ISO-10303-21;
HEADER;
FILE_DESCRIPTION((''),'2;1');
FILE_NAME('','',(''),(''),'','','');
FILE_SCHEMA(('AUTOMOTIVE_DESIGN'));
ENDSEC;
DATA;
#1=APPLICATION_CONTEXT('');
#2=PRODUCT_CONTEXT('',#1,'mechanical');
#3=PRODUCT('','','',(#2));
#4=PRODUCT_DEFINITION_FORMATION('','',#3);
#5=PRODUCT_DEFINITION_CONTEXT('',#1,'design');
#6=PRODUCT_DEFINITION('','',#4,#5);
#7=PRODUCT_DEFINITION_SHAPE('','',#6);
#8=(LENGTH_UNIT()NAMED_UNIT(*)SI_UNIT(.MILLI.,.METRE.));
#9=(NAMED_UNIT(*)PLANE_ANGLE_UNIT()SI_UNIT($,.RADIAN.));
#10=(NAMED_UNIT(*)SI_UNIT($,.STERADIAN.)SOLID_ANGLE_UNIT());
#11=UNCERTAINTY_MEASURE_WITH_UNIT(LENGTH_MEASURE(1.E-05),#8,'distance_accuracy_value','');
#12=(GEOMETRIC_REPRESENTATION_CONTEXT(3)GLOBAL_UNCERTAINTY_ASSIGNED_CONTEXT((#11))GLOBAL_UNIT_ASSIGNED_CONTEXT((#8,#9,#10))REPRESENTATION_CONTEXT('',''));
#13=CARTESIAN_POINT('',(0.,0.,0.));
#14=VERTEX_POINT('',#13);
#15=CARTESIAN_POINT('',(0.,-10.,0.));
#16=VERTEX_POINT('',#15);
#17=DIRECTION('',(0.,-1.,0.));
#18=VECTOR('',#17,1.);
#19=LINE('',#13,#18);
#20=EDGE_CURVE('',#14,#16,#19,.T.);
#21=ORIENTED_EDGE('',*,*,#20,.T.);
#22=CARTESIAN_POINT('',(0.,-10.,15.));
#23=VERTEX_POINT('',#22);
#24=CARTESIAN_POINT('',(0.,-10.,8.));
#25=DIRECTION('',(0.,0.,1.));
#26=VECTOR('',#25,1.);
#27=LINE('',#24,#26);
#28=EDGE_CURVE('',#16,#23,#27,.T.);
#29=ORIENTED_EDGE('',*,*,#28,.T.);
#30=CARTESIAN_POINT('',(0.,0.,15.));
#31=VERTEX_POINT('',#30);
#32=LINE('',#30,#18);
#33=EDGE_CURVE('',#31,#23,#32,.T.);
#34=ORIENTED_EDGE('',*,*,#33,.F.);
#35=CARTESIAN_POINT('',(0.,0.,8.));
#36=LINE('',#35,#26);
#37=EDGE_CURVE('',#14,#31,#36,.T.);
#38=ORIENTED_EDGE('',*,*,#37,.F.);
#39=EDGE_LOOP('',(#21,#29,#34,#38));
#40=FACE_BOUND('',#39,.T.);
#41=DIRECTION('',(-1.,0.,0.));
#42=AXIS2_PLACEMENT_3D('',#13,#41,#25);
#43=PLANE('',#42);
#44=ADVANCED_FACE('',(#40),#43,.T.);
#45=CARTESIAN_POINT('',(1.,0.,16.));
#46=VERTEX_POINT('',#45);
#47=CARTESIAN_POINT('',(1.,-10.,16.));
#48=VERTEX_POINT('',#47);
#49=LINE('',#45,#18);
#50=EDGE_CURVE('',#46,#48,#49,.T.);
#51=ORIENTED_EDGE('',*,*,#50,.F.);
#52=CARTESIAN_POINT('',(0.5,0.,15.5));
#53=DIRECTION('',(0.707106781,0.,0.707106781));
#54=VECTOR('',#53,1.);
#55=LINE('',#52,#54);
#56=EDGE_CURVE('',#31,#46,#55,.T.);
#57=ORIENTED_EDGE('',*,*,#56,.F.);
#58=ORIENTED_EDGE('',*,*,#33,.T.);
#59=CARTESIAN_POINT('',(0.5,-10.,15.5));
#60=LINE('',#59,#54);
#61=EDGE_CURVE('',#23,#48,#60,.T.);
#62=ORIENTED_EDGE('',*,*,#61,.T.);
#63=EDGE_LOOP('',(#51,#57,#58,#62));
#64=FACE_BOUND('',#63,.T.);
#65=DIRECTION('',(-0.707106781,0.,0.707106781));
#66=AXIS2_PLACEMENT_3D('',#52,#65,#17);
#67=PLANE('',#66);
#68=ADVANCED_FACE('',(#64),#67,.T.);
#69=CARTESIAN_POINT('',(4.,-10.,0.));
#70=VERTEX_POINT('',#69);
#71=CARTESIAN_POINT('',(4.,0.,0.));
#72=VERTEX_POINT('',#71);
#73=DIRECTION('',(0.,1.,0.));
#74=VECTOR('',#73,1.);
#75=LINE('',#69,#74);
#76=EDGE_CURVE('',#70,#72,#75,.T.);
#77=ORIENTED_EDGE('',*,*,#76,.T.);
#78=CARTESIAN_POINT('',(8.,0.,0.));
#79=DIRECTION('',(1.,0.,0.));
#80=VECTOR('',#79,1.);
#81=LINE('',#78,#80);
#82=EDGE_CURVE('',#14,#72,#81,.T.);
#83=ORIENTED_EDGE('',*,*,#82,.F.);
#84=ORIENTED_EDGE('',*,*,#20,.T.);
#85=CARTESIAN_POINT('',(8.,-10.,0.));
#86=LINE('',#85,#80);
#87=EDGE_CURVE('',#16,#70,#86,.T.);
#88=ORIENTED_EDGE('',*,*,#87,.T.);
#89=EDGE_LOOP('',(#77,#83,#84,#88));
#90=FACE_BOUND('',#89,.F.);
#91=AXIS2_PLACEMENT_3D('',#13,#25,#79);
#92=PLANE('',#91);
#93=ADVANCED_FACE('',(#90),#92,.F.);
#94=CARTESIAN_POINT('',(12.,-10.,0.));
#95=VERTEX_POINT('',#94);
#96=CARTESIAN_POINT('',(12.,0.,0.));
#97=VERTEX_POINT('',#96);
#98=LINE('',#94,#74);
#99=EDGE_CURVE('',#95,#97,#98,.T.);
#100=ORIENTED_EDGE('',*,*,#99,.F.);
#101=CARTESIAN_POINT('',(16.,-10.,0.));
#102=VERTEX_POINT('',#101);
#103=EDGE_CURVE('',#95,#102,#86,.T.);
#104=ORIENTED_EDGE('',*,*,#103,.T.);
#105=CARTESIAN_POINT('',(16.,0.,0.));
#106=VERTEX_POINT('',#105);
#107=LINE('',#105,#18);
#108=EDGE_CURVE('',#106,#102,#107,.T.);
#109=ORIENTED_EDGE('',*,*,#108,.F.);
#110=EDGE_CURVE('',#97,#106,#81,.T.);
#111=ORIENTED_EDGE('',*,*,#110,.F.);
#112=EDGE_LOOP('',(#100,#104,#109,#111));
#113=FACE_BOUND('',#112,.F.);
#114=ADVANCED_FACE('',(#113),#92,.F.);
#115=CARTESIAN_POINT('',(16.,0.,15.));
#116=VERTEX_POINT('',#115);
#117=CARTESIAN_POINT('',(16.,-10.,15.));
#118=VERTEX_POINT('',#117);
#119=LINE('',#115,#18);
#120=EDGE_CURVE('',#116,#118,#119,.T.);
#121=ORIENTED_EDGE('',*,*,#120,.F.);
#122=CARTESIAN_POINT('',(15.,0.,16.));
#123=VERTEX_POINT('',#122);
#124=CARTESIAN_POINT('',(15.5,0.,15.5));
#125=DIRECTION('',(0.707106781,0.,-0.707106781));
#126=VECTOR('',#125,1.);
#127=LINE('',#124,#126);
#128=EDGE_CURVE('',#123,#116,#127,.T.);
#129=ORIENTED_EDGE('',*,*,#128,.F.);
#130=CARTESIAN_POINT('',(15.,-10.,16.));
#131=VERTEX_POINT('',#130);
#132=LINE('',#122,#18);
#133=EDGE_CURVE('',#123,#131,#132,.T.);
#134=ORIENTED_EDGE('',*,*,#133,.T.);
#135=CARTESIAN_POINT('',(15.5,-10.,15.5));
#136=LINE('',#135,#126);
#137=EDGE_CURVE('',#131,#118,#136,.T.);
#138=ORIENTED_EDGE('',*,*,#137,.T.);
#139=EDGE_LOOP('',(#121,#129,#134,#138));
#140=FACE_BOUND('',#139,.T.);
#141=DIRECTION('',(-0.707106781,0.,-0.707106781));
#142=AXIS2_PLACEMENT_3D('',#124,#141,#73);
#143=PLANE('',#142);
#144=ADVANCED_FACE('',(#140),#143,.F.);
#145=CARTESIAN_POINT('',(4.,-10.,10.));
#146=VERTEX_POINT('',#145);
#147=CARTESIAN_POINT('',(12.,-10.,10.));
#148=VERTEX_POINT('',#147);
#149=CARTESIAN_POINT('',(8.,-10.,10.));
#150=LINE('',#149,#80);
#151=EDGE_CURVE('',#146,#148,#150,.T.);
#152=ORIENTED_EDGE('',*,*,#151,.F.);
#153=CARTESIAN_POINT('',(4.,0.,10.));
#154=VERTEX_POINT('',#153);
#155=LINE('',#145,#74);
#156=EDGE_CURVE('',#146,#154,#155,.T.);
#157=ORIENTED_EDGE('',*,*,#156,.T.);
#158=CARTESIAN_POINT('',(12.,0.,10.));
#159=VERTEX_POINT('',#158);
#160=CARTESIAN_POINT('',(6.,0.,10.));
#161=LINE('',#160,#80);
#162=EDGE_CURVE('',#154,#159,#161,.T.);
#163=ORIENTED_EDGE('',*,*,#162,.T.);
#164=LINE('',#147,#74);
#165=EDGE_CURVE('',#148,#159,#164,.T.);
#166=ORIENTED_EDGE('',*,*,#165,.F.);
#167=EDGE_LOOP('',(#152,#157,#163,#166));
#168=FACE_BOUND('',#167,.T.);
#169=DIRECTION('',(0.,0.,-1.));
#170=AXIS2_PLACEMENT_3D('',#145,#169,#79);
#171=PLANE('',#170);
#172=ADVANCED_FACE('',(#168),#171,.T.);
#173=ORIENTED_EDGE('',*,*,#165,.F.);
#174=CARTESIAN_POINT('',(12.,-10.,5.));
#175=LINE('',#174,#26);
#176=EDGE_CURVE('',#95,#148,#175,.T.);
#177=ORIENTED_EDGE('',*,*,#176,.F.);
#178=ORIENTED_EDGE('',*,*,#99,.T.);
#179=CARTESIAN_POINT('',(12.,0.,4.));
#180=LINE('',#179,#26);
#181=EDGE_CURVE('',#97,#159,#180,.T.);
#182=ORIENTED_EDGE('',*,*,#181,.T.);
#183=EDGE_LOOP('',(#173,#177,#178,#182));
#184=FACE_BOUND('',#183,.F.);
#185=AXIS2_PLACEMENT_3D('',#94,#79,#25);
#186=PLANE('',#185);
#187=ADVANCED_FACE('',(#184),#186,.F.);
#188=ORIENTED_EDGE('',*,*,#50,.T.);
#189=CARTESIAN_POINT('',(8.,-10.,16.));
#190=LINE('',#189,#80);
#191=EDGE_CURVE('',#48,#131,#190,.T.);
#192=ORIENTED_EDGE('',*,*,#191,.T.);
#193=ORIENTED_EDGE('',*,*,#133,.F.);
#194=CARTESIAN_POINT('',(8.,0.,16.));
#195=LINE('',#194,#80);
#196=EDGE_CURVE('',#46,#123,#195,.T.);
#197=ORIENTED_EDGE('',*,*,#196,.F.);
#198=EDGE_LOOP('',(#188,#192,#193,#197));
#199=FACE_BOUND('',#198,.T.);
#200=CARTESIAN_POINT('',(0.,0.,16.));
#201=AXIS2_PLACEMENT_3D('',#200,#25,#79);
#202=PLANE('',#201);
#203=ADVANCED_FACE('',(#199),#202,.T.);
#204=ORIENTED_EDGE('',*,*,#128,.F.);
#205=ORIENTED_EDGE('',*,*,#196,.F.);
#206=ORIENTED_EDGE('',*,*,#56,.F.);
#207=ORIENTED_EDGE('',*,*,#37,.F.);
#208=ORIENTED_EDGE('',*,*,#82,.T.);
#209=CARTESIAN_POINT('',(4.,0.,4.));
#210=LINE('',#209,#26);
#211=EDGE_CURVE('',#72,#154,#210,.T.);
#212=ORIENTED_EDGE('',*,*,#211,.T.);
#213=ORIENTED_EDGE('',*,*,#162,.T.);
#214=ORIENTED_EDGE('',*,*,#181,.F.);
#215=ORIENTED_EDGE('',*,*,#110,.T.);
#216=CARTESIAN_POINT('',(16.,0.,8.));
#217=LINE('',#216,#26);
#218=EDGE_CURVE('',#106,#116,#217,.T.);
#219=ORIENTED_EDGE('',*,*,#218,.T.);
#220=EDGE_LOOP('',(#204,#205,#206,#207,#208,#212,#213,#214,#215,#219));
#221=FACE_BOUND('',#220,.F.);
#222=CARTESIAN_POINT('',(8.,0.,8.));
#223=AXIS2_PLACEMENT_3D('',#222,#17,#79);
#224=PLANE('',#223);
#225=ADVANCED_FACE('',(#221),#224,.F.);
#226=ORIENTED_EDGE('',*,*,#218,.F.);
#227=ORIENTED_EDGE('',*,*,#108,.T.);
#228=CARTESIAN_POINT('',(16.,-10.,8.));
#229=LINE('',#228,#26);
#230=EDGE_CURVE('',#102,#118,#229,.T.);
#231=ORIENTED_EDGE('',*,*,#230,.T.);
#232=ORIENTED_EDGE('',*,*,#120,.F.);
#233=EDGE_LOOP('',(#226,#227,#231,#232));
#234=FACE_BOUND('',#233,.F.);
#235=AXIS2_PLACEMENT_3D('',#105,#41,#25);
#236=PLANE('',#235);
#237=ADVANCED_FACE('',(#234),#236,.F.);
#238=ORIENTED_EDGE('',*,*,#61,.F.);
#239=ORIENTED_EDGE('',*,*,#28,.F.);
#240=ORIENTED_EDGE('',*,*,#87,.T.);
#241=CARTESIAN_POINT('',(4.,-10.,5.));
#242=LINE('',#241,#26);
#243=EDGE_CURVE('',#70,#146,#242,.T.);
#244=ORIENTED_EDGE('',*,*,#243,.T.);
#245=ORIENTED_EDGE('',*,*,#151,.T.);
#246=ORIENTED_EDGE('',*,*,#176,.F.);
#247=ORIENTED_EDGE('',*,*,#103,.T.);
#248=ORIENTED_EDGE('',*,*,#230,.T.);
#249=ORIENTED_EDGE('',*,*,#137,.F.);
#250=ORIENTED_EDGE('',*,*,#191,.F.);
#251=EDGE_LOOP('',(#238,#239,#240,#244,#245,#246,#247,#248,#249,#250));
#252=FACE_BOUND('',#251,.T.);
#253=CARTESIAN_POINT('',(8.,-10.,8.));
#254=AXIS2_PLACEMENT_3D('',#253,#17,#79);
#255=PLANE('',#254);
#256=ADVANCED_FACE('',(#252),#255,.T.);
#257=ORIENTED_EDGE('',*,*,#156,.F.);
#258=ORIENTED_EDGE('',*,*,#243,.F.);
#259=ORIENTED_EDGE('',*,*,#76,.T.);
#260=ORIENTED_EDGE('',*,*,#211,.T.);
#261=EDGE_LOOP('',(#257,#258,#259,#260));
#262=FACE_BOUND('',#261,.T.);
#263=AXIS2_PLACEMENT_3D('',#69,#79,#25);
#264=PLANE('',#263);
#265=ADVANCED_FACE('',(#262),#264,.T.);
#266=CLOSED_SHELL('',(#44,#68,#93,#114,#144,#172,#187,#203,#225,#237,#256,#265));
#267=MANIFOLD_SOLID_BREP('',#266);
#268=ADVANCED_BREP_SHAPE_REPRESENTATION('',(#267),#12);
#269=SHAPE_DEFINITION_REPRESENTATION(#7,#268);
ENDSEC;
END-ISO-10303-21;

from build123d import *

# Parameters (mm, degrees)
F0_W     = 16
F0_H     = 16
F1_DEPTH = 10
F2_W     = 8
F2_H     = 10
F3_DEPTH = 10.001
F4_SIZE  = 1


with BuildPart() as f1:
    # F0 (on Front) → F1 (new body)
    with BuildSketch(Plane.XZ):
        with Locations((8, 8)):
            Rectangle(F0_W, F0_H)
    extrude(amount=F1_DEPTH)

    # F2 (on face) → F3 (cut, through all)
    with BuildSketch(Plane.XZ.offset(10)):
        with Locations((8, 5)):
            Rectangle(F2_W, F2_H)
    extrude(amount=-F3_DEPTH, mode=Mode.SUBTRACT)

    # F4
    f4_edges = [f1.edges().sort_by_distance(p)[0] for p in [
        (0, -5, 16),
        (16, -5, 16),
    ]]
    chamfer(f4_edges, length=F4_SIZE)


solid = f1.part
